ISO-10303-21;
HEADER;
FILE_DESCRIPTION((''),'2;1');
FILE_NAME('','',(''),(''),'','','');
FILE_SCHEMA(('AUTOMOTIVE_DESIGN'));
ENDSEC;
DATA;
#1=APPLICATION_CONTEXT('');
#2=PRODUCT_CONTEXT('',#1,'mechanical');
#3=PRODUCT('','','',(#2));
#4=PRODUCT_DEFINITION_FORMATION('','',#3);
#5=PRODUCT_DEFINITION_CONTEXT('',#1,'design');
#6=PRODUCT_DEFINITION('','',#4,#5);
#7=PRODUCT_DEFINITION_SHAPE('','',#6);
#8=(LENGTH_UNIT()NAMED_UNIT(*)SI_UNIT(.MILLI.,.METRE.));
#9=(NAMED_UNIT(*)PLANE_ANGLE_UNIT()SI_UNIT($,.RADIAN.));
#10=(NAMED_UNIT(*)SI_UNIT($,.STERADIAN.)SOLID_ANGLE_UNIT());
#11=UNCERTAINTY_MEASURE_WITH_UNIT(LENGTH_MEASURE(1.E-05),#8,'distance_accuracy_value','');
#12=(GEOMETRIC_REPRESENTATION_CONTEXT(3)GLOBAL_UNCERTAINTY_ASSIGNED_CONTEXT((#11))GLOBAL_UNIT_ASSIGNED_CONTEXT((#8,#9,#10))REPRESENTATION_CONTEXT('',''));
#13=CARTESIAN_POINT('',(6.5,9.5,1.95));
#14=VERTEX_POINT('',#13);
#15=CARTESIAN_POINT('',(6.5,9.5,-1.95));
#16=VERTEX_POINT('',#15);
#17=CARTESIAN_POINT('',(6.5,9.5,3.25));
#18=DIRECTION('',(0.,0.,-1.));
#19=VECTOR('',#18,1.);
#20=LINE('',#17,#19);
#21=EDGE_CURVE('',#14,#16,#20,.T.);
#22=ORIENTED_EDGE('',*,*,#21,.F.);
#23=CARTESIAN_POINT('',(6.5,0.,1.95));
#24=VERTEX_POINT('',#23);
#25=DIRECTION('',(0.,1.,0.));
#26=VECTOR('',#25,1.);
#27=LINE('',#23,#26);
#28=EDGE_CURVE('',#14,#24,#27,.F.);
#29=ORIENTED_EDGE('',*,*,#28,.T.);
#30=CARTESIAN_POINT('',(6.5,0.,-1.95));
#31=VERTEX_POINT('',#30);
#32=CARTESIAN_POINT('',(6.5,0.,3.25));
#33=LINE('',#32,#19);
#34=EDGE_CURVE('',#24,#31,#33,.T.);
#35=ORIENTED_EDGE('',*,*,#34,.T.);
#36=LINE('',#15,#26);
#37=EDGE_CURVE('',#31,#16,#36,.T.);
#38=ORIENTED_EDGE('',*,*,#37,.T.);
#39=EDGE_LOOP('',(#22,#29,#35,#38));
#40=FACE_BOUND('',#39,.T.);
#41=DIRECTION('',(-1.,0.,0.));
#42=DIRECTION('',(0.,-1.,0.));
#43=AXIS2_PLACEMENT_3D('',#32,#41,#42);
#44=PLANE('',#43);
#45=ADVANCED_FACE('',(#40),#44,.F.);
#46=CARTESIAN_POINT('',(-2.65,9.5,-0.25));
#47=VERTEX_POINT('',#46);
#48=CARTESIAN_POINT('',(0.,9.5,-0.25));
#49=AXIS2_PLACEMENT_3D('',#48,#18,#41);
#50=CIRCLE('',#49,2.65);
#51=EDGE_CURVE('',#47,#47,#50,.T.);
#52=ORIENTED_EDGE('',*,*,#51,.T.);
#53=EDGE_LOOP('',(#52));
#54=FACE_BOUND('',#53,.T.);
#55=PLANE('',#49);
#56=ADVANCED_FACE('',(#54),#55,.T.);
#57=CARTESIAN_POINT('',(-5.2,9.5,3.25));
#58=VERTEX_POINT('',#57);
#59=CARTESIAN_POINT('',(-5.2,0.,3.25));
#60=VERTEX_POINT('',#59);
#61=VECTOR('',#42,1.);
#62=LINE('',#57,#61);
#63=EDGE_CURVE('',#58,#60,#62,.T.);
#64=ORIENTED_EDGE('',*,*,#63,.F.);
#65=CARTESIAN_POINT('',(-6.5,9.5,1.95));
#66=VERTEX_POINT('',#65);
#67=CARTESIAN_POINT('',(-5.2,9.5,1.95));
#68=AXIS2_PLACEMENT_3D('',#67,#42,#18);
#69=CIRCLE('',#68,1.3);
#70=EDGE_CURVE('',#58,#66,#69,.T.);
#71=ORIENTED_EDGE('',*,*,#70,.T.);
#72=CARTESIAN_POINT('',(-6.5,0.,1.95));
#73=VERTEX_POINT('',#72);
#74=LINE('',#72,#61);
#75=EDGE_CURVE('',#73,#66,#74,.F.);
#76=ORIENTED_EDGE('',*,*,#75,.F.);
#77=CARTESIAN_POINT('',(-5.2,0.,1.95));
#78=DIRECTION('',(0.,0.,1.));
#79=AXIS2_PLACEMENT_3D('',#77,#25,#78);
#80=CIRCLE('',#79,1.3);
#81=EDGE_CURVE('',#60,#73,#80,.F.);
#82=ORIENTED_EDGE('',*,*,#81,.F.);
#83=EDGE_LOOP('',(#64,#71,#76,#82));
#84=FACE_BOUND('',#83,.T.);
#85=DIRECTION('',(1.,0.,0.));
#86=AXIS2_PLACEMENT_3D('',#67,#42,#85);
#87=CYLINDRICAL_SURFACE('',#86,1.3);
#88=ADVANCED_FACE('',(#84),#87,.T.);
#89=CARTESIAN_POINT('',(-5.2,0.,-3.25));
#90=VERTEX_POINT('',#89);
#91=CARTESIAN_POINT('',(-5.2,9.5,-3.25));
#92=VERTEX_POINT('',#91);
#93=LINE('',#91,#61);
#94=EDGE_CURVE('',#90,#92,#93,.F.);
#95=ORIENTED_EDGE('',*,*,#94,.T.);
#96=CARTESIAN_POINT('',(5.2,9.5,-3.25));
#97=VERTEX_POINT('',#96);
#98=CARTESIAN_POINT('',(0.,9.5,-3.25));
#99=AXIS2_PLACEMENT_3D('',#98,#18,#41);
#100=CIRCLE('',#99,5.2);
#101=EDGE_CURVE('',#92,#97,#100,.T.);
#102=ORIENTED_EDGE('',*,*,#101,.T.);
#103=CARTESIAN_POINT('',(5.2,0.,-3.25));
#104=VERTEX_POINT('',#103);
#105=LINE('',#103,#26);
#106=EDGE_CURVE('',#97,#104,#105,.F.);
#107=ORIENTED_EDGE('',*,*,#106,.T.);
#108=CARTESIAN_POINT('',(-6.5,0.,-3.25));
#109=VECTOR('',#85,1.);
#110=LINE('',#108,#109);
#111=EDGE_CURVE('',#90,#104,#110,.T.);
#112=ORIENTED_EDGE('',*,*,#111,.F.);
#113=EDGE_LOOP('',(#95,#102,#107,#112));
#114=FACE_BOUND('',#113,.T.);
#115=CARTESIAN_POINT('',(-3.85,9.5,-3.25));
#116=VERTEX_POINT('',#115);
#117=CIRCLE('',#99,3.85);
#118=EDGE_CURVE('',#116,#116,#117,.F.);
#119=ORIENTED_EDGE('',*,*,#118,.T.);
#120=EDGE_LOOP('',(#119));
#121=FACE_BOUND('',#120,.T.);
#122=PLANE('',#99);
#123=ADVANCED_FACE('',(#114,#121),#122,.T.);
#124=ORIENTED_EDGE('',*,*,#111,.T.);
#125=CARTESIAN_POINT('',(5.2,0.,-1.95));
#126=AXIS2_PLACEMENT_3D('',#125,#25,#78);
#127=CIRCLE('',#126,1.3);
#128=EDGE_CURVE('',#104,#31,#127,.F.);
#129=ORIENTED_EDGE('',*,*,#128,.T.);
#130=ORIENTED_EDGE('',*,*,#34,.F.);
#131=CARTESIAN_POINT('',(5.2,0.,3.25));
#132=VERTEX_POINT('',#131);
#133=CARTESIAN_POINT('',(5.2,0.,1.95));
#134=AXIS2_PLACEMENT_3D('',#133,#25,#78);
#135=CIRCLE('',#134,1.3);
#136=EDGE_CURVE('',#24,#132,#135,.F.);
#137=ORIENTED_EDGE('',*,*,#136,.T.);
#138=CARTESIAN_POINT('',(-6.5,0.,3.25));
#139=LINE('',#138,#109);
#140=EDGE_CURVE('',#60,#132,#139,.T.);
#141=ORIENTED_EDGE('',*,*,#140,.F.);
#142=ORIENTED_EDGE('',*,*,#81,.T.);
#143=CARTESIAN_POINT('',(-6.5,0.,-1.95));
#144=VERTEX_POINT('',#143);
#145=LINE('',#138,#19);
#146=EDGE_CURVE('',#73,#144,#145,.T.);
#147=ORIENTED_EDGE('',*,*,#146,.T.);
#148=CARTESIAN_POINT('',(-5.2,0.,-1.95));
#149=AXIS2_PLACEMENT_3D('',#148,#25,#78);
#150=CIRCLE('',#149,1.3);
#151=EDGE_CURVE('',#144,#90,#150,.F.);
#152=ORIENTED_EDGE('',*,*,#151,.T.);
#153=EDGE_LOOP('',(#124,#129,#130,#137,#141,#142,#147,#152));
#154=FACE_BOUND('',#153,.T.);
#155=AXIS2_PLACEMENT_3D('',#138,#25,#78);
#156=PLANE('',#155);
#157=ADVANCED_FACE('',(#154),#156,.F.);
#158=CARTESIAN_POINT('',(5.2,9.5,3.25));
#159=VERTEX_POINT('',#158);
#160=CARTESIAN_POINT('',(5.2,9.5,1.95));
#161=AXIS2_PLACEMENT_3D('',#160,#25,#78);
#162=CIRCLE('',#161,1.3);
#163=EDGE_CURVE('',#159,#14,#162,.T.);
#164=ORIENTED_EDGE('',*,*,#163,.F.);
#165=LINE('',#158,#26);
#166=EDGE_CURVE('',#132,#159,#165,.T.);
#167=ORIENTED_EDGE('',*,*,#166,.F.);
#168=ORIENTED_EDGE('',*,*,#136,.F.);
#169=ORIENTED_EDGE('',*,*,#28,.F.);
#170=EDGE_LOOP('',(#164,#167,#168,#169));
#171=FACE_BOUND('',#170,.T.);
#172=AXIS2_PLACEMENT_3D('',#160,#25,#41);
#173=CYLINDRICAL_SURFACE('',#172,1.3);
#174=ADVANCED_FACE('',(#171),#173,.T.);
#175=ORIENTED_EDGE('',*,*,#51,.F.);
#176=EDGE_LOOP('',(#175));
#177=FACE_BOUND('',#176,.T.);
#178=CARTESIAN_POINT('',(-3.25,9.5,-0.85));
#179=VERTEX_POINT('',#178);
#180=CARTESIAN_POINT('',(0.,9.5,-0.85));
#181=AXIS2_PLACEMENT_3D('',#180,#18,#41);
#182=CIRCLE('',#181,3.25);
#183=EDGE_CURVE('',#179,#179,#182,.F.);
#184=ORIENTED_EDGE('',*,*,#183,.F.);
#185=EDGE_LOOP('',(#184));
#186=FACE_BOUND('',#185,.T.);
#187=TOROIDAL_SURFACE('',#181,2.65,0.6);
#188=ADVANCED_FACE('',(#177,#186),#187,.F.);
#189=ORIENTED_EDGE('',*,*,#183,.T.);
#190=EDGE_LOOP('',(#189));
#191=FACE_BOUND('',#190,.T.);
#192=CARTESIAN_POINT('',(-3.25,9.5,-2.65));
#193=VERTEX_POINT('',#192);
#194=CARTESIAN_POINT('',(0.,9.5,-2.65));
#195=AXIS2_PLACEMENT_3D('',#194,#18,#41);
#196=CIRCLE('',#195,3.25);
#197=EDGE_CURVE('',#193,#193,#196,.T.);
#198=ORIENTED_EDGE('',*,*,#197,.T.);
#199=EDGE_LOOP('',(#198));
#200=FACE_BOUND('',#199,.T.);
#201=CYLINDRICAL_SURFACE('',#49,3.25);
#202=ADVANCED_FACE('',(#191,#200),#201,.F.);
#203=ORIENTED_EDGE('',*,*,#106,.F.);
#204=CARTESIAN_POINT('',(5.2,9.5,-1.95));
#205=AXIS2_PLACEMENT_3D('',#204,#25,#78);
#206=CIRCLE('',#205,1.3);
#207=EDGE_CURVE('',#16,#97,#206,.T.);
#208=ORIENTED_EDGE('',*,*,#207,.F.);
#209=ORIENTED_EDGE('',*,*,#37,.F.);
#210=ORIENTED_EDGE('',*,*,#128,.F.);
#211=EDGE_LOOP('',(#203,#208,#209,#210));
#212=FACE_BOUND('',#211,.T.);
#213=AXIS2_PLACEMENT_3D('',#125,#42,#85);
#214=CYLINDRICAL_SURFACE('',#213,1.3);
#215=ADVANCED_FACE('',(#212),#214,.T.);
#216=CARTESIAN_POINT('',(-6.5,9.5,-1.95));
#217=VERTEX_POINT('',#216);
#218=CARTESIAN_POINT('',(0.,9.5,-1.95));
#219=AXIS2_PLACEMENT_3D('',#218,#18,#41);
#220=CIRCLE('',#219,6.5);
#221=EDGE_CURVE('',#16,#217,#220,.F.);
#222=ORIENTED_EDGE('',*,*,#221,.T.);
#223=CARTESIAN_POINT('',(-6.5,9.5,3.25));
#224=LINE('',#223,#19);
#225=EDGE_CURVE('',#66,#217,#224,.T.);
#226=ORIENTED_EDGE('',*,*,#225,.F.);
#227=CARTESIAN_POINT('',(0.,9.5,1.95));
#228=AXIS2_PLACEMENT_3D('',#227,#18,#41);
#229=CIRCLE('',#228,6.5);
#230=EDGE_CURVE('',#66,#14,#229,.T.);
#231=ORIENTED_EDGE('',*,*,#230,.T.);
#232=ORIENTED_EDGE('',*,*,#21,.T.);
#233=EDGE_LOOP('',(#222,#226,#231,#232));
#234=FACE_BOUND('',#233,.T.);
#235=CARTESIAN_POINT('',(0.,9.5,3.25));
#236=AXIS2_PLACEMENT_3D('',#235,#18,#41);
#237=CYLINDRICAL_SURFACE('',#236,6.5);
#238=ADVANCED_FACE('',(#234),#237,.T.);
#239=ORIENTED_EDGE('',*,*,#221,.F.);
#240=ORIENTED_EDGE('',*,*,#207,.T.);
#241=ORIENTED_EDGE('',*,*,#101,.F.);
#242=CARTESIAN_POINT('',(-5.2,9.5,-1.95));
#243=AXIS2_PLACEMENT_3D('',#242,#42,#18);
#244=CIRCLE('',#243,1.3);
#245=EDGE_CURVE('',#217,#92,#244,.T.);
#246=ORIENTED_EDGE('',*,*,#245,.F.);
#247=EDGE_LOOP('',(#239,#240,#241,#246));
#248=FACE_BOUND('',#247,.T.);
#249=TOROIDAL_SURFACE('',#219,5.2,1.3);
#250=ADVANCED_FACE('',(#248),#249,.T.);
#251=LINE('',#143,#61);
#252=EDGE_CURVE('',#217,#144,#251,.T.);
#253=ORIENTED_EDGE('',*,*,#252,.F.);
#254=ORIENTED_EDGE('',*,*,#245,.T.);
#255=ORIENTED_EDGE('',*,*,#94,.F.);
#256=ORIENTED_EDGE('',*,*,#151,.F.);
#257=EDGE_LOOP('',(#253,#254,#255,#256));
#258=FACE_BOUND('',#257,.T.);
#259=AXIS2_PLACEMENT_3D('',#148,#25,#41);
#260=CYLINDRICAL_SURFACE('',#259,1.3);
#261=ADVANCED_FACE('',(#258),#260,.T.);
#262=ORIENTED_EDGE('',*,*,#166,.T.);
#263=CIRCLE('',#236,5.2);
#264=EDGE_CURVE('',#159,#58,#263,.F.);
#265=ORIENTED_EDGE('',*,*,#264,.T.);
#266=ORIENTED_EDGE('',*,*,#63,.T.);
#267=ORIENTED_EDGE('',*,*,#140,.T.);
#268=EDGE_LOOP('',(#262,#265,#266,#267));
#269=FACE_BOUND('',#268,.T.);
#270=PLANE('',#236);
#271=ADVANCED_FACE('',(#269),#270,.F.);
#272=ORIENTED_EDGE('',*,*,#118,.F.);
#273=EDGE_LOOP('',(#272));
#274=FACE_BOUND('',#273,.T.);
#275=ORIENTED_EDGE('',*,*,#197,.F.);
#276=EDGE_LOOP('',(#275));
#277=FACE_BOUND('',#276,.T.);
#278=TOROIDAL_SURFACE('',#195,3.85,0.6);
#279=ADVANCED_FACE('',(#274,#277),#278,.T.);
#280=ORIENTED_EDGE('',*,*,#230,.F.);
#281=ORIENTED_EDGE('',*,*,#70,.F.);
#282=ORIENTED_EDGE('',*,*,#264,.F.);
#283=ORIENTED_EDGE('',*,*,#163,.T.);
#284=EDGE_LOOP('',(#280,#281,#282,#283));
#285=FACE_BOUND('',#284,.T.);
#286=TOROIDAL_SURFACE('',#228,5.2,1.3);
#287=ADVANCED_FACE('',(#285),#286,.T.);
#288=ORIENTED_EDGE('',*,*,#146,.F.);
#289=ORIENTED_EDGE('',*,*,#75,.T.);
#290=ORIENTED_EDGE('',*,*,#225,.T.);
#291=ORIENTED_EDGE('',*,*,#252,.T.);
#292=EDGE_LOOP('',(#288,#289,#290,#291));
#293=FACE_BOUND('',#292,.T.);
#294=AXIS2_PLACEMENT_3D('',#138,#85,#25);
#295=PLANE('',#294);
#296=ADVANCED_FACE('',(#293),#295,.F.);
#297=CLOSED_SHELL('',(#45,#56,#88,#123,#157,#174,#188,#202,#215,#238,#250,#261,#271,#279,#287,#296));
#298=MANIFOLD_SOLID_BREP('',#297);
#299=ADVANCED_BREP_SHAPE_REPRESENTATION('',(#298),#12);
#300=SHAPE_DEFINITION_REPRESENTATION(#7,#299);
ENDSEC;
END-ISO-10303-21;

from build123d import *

# Parameters (mm, degrees)
BASE_EXTRUDE_DEPTH = 3.25
SKETCH2_R          = 3.25
CUT_EXTRUDE1_DEPTH = 3
FILLET1_R          = 1.3
FILLET2_R          = 0.6


with BuildPart() as part:
    # Sketch1 → Base-Extrude (new, symmetric)
    with BuildSketch(Plane.XY):
        with BuildLine():
            Line((-6.5, 0), (6.5, 0))
            Line((6.5, 0), (6.5, 9.5))
            ThreePointArc((6.5, 9.5), (0, 16), (-6.5, 9.5))
            Line((-6.5, 9.5), (-6.5, 0))
        make_face()
    extrude(amount=BASE_EXTRUDE_DEPTH, both=True)

    # Sketch2 → Cut-Extrude1 (cut)
    with BuildSketch(Plane(origin=(0, 0, -3.25), x_dir=(-1, 0, 0), z_dir=(0, 0, -1))):
        with Locations((0, 9.5)):
            Circle(SKETCH2_R)
    extrude(amount=-CUT_EXTRUDE1_DEPTH, mode=Mode.SUBTRACT)

    # Fillet1
    fillet1_edges = [part.edges().sort_by_distance(p)[0] for p in [
        (6.5, 4.75, 3.25),
        (0, 16, 3.25),
        (-6.5, 4.75, 3.25),
        (0, 16, -3.25),
        (6.5, 4.75, -3.25),
        (-6.5, 4.75, -3.25),
    ]]
    fillet(fillet1_edges, radius=FILLET1_R)

    # Fillet2
    fillet2_edges = [part.edges().sort_by_distance(p)[0] for p in [
        (3.25, 9.5, -0.25),
        (3.25, 9.5, -3.25),
    ]]
    fillet(fillet2_edges, radius=FILLET2_R)


solid = part.part
